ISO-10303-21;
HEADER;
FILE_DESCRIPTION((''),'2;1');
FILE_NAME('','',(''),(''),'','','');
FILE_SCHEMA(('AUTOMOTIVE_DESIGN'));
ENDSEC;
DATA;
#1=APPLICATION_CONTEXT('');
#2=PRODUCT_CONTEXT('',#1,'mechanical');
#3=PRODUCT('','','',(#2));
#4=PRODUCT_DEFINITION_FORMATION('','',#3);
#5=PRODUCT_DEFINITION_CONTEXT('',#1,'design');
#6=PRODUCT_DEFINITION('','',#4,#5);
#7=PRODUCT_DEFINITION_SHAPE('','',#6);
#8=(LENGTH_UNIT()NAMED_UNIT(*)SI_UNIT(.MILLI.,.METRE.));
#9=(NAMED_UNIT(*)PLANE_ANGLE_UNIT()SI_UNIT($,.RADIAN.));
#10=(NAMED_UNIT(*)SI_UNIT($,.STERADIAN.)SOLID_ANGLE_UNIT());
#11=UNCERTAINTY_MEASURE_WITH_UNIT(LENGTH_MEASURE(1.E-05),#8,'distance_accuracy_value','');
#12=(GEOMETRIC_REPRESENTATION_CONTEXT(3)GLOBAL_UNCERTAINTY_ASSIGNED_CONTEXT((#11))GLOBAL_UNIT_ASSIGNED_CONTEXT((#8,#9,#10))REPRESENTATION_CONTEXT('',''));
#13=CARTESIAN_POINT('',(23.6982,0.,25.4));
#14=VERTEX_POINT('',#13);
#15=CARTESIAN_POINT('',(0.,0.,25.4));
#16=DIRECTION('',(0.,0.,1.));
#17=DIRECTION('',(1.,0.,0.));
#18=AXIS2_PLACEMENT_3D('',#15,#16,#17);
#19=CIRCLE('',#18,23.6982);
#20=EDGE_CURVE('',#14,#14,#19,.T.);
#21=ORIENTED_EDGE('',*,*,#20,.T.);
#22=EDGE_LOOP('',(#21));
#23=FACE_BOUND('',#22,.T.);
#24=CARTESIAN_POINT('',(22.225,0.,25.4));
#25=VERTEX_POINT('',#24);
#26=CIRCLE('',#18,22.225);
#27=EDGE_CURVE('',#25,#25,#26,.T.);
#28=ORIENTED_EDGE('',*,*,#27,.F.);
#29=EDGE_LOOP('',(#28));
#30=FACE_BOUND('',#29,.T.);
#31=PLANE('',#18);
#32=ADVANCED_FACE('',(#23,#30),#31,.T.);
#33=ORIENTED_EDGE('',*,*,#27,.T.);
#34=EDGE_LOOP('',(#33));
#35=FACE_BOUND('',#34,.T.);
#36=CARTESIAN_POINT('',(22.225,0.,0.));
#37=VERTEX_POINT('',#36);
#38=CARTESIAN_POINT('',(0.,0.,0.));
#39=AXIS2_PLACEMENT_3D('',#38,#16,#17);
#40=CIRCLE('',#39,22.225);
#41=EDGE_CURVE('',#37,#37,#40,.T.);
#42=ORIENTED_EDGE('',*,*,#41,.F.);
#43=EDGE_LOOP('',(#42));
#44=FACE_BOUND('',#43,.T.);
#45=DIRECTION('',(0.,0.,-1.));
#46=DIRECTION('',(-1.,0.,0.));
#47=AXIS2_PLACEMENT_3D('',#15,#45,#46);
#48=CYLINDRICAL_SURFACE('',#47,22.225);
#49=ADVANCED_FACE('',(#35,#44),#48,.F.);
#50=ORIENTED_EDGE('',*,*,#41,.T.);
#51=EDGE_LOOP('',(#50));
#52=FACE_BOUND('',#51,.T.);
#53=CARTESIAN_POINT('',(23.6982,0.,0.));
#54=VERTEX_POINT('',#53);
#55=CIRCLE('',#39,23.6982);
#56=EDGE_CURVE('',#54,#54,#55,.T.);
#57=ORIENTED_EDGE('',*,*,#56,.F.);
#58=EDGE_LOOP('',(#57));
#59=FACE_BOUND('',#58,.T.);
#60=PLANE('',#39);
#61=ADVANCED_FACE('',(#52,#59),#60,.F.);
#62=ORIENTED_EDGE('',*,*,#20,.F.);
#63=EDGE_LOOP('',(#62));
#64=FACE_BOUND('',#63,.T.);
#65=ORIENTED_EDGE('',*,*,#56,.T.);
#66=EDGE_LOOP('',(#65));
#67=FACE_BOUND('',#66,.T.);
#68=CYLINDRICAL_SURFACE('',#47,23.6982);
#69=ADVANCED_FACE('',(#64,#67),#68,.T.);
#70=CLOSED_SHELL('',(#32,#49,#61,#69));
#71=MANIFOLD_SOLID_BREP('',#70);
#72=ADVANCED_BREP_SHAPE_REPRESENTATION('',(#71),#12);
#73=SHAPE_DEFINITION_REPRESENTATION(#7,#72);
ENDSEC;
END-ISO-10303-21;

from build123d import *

# Parameters (mm, degrees)
SKETCH1_R          = 23.6982
SKETCH1_R_2        = 22.225
BOSS_EXTRUDE_DEPTH = 25.4


with BuildPart() as part:
    # Sketch1 → Boss-Extrude (new body)
    with BuildSketch(Plane.XY):
        Circle(SKETCH1_R)
        Circle(SKETCH1_R_2, mode=Mode.SUBTRACT)
    extrude(amount=BOSS_EXTRUDE_DEPTH)


solid = part.part
